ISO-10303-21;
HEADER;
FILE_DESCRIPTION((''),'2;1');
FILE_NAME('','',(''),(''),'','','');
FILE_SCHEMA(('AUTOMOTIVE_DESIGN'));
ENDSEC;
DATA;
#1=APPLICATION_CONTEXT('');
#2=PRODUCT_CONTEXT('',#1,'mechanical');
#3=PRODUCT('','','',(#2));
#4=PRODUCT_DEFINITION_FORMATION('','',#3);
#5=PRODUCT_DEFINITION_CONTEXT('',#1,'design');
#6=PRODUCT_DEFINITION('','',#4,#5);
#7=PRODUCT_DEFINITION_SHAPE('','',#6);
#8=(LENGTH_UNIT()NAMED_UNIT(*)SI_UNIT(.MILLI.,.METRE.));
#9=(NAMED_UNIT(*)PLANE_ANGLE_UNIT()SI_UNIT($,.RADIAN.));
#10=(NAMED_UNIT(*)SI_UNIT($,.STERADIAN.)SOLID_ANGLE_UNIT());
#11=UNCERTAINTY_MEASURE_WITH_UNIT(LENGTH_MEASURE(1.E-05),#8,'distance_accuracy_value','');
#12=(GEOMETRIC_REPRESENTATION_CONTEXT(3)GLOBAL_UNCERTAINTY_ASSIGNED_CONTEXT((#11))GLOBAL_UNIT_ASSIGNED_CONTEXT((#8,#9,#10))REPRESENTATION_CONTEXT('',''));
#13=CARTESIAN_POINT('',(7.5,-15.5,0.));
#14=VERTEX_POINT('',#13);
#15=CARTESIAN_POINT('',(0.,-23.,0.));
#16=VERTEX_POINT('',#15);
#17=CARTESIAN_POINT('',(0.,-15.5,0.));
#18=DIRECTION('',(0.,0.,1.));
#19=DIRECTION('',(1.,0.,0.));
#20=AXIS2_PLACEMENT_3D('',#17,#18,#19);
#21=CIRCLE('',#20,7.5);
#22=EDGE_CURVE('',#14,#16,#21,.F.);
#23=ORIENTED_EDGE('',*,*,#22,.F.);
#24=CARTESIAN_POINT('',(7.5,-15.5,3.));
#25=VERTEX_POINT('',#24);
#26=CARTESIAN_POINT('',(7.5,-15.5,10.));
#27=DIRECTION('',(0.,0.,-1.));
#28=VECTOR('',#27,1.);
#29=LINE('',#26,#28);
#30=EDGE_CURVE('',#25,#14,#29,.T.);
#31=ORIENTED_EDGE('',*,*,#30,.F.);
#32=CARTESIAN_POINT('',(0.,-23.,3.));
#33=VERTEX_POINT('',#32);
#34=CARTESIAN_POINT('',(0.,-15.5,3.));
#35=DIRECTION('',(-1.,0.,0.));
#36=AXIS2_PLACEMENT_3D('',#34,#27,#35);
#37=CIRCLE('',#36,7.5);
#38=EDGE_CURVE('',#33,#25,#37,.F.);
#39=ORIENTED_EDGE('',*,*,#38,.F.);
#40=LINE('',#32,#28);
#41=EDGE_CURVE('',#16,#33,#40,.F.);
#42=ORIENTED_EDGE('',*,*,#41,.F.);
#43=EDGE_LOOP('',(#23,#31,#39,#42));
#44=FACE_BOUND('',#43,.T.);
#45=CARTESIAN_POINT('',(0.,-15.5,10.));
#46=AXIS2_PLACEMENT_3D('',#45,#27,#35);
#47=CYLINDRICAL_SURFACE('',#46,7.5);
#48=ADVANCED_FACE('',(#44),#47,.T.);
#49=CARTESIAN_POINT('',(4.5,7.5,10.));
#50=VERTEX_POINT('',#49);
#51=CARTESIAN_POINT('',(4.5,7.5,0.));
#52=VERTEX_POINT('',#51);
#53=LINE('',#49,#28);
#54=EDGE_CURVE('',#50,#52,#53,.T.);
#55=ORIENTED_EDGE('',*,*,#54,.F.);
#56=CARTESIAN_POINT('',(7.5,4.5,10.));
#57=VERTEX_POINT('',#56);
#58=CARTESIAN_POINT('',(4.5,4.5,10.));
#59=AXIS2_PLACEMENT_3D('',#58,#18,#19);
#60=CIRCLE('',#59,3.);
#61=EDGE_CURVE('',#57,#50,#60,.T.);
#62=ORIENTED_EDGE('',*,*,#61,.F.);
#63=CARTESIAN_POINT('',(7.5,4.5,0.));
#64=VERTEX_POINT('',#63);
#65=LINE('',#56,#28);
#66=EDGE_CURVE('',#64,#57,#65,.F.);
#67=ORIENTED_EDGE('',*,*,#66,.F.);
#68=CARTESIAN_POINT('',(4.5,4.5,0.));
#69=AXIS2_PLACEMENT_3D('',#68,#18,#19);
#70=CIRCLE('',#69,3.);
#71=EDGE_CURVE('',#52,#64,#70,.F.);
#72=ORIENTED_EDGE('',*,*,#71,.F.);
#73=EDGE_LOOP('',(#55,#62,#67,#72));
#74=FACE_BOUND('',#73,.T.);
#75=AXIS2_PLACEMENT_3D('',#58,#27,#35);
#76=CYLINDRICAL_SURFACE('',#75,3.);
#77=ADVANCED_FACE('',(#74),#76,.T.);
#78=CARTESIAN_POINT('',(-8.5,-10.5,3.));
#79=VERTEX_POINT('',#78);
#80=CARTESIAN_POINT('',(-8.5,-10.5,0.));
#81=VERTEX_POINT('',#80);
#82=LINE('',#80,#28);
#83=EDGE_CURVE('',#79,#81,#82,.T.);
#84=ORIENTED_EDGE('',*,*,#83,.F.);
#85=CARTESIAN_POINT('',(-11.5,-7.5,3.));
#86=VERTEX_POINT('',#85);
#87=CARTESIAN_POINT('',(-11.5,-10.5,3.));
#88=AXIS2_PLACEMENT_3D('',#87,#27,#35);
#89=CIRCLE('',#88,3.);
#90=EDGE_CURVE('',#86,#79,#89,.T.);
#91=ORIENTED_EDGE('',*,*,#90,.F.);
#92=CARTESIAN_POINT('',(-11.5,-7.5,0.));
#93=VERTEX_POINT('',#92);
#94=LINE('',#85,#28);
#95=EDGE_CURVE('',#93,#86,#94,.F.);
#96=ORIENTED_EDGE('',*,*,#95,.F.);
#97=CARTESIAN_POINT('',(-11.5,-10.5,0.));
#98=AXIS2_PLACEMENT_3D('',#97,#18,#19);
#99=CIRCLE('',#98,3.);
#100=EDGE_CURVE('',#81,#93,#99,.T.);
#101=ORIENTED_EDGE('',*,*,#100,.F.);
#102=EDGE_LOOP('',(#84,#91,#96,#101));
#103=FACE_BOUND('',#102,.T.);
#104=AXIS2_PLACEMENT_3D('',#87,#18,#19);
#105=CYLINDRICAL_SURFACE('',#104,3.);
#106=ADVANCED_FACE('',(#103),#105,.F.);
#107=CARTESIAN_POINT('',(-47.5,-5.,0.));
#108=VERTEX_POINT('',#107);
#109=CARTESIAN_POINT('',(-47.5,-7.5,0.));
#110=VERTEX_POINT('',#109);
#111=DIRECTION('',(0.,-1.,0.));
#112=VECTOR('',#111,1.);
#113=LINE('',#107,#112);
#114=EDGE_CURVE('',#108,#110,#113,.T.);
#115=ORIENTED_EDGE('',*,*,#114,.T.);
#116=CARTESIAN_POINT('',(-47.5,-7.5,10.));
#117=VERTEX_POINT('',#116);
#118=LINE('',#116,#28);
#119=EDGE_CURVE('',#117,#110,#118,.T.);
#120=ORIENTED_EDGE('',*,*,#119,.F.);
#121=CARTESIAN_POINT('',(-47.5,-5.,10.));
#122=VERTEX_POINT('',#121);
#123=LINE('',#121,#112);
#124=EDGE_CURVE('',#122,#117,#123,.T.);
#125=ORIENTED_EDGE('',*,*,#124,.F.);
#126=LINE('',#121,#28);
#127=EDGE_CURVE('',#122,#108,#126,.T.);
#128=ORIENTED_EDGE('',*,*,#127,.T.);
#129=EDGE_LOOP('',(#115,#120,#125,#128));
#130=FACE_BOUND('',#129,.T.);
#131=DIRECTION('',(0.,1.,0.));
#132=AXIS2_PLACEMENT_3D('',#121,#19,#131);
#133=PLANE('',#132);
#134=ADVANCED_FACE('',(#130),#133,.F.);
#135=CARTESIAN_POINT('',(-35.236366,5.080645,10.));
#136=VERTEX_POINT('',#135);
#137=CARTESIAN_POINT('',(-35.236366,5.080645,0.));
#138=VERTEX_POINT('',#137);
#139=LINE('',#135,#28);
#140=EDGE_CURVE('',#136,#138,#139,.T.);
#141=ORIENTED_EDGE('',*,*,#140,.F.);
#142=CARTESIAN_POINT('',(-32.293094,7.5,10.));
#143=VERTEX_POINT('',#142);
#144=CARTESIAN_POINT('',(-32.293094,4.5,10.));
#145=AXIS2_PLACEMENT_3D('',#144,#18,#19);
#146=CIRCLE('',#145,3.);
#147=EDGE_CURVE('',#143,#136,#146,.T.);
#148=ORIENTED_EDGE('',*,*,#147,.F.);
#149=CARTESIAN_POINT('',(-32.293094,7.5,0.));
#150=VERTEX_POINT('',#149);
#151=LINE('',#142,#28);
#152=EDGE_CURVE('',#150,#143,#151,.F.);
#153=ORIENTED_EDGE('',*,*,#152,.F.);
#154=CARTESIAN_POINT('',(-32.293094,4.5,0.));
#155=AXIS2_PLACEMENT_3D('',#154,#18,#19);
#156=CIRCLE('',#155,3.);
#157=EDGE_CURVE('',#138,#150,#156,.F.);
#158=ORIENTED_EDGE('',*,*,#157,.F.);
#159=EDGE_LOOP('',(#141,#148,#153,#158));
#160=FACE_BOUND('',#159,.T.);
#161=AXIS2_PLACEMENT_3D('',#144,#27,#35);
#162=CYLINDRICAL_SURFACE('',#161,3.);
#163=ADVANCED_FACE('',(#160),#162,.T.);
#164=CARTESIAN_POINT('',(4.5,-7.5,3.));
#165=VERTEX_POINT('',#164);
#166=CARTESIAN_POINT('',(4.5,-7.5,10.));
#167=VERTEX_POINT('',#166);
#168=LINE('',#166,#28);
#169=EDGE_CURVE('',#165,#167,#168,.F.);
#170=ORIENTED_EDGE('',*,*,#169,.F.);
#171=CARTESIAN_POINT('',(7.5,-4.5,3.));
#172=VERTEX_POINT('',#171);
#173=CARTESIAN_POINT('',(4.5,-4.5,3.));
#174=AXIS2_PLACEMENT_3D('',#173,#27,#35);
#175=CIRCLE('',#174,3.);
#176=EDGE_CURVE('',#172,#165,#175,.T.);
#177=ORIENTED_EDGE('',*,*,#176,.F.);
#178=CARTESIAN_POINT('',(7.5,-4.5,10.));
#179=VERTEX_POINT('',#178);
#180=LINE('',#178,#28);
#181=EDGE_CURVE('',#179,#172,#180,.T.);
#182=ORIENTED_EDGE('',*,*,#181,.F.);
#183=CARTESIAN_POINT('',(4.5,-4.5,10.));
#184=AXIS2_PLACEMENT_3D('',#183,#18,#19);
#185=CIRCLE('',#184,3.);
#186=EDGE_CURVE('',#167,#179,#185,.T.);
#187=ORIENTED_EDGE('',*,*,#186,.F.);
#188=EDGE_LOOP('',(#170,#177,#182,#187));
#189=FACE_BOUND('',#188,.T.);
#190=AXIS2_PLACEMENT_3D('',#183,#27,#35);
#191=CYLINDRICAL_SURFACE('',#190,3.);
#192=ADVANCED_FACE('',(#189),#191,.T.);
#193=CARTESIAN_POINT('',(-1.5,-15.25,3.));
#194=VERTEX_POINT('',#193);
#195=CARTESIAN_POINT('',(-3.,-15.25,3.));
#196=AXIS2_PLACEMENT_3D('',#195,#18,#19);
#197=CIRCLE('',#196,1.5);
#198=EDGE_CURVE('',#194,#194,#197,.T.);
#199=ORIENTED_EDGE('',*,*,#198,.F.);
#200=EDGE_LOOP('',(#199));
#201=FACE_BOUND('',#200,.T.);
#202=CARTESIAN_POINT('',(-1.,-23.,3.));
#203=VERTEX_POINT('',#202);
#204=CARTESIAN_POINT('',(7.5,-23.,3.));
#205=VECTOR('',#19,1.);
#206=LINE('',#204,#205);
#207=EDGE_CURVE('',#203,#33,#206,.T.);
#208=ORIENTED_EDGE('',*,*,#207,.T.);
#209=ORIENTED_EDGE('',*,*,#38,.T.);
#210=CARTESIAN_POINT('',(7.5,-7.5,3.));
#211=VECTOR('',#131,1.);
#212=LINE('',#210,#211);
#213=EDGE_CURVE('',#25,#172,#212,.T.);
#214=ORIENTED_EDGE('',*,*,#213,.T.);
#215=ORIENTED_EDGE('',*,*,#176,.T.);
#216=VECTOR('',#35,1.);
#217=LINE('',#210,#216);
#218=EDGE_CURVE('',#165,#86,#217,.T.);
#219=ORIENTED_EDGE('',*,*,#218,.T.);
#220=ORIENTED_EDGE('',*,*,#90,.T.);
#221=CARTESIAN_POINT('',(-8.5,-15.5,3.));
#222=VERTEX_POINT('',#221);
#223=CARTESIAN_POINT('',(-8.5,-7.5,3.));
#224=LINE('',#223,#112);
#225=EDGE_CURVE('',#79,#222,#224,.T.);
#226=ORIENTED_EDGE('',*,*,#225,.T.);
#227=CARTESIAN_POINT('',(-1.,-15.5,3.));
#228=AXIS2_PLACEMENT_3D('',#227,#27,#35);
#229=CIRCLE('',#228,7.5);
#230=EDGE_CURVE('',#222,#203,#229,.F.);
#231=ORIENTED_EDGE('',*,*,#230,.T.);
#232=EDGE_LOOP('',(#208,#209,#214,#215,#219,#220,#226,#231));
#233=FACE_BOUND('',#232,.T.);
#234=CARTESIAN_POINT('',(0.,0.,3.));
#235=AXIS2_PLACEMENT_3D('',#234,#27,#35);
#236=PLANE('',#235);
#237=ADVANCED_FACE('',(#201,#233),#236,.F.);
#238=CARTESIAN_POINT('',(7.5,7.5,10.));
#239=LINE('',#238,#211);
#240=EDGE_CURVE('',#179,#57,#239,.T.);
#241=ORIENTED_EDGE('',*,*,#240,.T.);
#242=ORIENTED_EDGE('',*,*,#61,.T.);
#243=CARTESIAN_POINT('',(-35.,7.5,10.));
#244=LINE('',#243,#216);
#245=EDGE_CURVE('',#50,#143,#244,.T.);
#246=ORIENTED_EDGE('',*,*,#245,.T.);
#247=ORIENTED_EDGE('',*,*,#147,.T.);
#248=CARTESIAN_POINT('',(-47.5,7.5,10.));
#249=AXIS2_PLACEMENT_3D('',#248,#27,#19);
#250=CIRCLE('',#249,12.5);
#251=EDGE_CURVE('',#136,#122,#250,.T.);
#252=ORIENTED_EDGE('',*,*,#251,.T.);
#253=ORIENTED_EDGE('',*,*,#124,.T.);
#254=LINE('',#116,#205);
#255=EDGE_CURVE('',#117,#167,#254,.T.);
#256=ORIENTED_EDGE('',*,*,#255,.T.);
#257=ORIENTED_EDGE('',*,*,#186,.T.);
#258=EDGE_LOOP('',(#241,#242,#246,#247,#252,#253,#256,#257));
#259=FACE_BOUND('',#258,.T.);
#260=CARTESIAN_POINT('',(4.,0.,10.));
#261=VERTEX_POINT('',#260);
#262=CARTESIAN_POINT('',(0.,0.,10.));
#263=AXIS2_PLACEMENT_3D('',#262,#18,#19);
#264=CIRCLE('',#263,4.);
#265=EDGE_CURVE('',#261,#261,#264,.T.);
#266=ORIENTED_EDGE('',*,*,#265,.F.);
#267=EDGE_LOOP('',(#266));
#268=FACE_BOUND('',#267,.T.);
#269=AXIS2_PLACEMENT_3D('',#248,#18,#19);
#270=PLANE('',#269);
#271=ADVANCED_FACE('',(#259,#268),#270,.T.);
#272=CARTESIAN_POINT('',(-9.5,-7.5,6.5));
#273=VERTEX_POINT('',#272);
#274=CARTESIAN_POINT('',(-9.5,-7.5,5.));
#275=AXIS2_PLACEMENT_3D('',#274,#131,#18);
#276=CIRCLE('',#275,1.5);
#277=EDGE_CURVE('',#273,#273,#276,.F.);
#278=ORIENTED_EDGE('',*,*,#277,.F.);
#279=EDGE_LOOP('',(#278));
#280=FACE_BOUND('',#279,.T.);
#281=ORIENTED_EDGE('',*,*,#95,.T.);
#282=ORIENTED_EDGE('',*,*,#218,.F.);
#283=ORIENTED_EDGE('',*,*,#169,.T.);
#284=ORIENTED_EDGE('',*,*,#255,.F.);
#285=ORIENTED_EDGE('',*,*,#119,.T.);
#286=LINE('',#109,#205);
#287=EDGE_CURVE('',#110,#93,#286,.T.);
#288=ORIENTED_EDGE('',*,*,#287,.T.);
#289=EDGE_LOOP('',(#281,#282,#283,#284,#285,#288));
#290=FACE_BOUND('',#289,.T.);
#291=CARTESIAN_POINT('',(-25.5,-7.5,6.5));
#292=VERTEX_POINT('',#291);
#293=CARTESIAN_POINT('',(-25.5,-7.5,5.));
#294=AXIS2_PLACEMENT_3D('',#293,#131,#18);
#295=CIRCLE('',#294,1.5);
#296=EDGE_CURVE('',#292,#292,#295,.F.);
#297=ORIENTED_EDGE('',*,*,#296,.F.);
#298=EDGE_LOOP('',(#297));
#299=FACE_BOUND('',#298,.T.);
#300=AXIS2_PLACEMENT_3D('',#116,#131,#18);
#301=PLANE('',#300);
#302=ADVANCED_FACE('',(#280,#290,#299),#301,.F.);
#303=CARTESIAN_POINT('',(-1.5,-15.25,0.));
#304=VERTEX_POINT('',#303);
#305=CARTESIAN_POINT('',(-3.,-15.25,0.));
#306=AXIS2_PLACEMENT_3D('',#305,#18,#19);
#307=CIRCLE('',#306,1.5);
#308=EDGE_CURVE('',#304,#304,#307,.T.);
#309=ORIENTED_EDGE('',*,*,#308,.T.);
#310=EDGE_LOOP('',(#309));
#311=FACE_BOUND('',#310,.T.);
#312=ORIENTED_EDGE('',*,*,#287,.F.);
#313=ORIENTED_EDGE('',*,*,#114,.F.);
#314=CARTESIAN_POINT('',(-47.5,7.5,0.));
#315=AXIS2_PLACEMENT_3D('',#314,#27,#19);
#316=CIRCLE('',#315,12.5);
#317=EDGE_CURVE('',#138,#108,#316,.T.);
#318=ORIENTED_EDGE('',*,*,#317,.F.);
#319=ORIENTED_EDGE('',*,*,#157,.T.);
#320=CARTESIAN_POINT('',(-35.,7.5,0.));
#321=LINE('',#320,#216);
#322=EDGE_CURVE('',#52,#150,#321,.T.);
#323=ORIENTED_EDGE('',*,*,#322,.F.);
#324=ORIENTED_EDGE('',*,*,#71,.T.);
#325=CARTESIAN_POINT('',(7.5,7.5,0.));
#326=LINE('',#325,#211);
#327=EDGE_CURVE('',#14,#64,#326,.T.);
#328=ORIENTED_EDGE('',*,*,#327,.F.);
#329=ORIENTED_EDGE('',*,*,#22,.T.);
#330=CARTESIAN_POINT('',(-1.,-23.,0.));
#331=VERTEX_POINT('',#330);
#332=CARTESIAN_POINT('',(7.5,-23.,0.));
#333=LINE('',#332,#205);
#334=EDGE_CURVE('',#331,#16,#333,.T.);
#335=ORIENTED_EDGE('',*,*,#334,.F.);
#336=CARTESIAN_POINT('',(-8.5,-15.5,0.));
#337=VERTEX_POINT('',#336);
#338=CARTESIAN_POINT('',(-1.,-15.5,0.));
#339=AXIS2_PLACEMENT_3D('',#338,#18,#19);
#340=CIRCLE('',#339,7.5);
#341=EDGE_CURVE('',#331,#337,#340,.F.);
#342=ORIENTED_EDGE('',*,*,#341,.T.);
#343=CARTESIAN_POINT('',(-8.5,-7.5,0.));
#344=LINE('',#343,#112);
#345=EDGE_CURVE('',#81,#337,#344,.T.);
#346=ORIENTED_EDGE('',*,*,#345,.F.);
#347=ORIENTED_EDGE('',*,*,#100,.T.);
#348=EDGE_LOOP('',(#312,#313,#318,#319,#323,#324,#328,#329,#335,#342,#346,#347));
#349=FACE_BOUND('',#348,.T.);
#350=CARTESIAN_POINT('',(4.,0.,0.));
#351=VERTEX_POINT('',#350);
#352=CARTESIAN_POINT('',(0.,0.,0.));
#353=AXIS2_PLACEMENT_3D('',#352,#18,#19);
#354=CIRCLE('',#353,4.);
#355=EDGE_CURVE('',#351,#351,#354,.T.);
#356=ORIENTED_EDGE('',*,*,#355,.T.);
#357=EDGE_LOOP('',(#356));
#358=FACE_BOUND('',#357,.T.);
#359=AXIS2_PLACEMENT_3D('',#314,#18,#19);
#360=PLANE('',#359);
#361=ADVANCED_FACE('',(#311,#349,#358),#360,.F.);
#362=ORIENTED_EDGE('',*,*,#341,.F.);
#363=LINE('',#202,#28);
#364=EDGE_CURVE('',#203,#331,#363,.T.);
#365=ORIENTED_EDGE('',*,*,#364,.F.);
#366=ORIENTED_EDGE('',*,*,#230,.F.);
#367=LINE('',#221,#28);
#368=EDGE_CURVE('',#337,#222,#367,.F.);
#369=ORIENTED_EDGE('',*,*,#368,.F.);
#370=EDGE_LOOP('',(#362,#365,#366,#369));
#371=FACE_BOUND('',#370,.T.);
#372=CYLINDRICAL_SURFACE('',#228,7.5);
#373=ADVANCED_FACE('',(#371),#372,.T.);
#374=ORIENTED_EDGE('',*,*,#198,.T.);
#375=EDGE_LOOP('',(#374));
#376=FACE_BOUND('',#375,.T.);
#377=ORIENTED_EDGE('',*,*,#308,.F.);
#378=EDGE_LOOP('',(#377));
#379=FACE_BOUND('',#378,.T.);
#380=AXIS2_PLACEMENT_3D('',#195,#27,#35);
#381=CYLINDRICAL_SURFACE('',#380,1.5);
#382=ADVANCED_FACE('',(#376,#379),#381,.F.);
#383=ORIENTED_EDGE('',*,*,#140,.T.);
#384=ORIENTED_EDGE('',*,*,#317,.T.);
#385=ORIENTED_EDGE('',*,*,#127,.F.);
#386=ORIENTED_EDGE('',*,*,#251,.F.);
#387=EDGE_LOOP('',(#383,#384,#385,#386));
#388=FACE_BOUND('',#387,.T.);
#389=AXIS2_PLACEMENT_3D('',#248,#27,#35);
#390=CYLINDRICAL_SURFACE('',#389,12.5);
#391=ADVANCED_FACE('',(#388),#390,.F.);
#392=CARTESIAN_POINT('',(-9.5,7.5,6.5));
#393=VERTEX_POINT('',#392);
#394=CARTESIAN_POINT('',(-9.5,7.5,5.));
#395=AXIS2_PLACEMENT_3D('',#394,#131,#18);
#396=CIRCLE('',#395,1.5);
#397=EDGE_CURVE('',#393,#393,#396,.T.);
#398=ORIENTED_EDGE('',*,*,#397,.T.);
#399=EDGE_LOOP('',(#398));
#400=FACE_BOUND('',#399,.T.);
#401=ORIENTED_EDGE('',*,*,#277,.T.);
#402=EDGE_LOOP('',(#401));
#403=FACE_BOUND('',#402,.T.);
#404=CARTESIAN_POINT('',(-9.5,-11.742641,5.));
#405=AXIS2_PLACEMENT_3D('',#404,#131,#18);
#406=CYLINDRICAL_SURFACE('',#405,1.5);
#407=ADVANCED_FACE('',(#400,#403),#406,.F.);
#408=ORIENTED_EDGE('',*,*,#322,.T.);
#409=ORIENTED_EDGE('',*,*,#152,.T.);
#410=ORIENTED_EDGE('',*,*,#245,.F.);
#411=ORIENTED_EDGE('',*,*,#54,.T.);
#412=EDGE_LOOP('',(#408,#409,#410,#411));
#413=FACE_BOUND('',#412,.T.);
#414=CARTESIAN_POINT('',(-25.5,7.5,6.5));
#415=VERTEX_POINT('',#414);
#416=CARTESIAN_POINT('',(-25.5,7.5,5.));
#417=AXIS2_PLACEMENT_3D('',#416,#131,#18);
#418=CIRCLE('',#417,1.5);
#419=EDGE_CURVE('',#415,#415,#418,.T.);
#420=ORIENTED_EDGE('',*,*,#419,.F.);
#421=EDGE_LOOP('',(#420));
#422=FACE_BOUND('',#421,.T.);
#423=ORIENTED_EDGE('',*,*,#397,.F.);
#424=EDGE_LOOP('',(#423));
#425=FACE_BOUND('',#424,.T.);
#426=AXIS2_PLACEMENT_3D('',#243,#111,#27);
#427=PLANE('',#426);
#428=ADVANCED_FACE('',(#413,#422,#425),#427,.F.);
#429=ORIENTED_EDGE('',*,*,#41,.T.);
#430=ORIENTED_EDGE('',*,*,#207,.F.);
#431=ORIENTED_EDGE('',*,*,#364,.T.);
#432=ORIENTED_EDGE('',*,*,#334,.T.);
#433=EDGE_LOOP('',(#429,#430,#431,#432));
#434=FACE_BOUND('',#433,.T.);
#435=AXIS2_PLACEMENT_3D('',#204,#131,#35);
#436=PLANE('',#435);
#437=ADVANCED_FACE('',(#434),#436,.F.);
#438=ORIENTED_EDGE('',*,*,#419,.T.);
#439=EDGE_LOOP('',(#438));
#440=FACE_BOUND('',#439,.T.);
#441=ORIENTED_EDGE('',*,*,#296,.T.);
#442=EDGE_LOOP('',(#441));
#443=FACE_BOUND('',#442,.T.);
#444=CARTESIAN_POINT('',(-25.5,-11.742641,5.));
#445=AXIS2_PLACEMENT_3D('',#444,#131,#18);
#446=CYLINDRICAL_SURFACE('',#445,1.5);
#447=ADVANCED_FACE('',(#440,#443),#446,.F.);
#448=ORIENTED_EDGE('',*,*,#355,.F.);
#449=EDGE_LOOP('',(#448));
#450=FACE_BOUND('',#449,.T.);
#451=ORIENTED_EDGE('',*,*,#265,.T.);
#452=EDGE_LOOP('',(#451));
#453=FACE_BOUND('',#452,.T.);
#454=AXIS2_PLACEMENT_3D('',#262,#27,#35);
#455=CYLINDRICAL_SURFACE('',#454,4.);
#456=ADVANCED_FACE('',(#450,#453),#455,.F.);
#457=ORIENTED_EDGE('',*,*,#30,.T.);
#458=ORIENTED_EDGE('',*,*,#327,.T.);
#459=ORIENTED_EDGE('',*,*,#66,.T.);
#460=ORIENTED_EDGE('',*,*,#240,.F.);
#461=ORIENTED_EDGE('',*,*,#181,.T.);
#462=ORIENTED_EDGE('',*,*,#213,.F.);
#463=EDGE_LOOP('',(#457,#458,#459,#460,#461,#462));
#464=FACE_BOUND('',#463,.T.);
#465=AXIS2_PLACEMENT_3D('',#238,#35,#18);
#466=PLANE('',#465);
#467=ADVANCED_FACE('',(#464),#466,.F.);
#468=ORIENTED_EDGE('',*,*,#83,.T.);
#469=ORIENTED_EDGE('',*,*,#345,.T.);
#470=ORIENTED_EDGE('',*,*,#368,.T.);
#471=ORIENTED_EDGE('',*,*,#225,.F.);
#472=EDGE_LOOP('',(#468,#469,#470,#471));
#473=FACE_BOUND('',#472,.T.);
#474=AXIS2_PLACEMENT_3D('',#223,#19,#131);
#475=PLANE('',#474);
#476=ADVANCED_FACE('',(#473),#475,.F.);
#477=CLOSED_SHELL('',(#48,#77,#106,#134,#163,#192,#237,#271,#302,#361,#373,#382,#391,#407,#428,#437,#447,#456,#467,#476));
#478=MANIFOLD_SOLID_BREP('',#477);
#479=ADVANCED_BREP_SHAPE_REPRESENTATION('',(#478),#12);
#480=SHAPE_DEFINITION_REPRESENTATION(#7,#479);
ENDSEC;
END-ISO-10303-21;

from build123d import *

# Parameters (mm, degrees)
CROQUIS1_R              = 4
SALIENTE_EXTRUIR1_DEPTH = 10
CROQUIS3_W              = 16
CROQUIS3_H              = 15.5
CROQUIS3_R              = 1.5
SALIENTE_EXTRUIR2_DEPTH = 3
REDONDEO1_R             = 7.5
REDONDEO2_R             = 3
CROQUIS4_R              = 1.5
CORTAR_EXTRUIR2_DEPTH   = 15
REDONDEO3_R             = 3


with BuildPart() as part:
    # Croquis1 → Saliente-Extruir1 (new body)
    with BuildSketch(Plane.XY):
        with BuildLine():
            Line((-35, 7.5), (7.5, 7.5))
            Line((7.5, 7.5), (7.5, -7.5))
            Line((7.5, -7.5), (-47.5, -7.5))
            Line((-47.5, -7.5), (-47.5, -5))
            ThreePointArc((-47.5, -5), (-38.661165235, -1.338834765), (-35, 7.5))
        make_face()
        Circle(CROQUIS1_R, mode=Mode.SUBTRACT)
    extrude(amount=SALIENTE_EXTRUIR1_DEPTH)

    # Croquis3 → Saliente-Extruir2 (add)
    with BuildSketch(Plane.XY):
        with Locations((-0.5, -15.25)):
            Rectangle(CROQUIS3_W, CROQUIS3_H)
        with Locations((-3, -15.25)):
            Circle(CROQUIS3_R, mode=Mode.SUBTRACT)
    extrude(amount=SALIENTE_EXTRUIR2_DEPTH)

    # Redondeo1
    redondeo1_edges = [part.edges().sort_by_distance(p)[0] for p in [
        (7.5, -23, 1.5),
        (-8.5, -23, 1.5),
    ]]
    fillet(redondeo1_edges, radius=REDONDEO1_R)

    # Redondeo2
    redondeo2_edges = [part.edges().sort_by_distance(p)[0] for p in [
        (-8.5, -7.5, 1.5),
    ]]
    fillet(redondeo2_edges, radius=REDONDEO2_R)

    # Croquis4 → Cortar-Extruir2 (cut)
    with BuildSketch(Plane(origin=(0, 7.5, 0), x_dir=(1, 0, 0), z_dir=(0, 1, 0))):
        with Locations(Location((-25.5, -5, 0), (0, 0, 270))):
            Circle(CROQUIS4_R)
        with Locations(Location((-9.5, -5, 0), (0, 0, 270))):
            Circle(CROQUIS4_R)
    extrude(amount=-CORTAR_EXTRUIR2_DEPTH, mode=Mode.SUBTRACT)

    # Redondeo3
    redondeo3_edges = [part.edges().sort_by_distance(p)[0] for p in [
        (7.5, -7.5, 6.5),
        (-35, 7.5, 5),
        (7.5, 7.5, 5),
    ]]
    fillet(redondeo3_edges, radius=REDONDEO3_R)


solid = part.part
